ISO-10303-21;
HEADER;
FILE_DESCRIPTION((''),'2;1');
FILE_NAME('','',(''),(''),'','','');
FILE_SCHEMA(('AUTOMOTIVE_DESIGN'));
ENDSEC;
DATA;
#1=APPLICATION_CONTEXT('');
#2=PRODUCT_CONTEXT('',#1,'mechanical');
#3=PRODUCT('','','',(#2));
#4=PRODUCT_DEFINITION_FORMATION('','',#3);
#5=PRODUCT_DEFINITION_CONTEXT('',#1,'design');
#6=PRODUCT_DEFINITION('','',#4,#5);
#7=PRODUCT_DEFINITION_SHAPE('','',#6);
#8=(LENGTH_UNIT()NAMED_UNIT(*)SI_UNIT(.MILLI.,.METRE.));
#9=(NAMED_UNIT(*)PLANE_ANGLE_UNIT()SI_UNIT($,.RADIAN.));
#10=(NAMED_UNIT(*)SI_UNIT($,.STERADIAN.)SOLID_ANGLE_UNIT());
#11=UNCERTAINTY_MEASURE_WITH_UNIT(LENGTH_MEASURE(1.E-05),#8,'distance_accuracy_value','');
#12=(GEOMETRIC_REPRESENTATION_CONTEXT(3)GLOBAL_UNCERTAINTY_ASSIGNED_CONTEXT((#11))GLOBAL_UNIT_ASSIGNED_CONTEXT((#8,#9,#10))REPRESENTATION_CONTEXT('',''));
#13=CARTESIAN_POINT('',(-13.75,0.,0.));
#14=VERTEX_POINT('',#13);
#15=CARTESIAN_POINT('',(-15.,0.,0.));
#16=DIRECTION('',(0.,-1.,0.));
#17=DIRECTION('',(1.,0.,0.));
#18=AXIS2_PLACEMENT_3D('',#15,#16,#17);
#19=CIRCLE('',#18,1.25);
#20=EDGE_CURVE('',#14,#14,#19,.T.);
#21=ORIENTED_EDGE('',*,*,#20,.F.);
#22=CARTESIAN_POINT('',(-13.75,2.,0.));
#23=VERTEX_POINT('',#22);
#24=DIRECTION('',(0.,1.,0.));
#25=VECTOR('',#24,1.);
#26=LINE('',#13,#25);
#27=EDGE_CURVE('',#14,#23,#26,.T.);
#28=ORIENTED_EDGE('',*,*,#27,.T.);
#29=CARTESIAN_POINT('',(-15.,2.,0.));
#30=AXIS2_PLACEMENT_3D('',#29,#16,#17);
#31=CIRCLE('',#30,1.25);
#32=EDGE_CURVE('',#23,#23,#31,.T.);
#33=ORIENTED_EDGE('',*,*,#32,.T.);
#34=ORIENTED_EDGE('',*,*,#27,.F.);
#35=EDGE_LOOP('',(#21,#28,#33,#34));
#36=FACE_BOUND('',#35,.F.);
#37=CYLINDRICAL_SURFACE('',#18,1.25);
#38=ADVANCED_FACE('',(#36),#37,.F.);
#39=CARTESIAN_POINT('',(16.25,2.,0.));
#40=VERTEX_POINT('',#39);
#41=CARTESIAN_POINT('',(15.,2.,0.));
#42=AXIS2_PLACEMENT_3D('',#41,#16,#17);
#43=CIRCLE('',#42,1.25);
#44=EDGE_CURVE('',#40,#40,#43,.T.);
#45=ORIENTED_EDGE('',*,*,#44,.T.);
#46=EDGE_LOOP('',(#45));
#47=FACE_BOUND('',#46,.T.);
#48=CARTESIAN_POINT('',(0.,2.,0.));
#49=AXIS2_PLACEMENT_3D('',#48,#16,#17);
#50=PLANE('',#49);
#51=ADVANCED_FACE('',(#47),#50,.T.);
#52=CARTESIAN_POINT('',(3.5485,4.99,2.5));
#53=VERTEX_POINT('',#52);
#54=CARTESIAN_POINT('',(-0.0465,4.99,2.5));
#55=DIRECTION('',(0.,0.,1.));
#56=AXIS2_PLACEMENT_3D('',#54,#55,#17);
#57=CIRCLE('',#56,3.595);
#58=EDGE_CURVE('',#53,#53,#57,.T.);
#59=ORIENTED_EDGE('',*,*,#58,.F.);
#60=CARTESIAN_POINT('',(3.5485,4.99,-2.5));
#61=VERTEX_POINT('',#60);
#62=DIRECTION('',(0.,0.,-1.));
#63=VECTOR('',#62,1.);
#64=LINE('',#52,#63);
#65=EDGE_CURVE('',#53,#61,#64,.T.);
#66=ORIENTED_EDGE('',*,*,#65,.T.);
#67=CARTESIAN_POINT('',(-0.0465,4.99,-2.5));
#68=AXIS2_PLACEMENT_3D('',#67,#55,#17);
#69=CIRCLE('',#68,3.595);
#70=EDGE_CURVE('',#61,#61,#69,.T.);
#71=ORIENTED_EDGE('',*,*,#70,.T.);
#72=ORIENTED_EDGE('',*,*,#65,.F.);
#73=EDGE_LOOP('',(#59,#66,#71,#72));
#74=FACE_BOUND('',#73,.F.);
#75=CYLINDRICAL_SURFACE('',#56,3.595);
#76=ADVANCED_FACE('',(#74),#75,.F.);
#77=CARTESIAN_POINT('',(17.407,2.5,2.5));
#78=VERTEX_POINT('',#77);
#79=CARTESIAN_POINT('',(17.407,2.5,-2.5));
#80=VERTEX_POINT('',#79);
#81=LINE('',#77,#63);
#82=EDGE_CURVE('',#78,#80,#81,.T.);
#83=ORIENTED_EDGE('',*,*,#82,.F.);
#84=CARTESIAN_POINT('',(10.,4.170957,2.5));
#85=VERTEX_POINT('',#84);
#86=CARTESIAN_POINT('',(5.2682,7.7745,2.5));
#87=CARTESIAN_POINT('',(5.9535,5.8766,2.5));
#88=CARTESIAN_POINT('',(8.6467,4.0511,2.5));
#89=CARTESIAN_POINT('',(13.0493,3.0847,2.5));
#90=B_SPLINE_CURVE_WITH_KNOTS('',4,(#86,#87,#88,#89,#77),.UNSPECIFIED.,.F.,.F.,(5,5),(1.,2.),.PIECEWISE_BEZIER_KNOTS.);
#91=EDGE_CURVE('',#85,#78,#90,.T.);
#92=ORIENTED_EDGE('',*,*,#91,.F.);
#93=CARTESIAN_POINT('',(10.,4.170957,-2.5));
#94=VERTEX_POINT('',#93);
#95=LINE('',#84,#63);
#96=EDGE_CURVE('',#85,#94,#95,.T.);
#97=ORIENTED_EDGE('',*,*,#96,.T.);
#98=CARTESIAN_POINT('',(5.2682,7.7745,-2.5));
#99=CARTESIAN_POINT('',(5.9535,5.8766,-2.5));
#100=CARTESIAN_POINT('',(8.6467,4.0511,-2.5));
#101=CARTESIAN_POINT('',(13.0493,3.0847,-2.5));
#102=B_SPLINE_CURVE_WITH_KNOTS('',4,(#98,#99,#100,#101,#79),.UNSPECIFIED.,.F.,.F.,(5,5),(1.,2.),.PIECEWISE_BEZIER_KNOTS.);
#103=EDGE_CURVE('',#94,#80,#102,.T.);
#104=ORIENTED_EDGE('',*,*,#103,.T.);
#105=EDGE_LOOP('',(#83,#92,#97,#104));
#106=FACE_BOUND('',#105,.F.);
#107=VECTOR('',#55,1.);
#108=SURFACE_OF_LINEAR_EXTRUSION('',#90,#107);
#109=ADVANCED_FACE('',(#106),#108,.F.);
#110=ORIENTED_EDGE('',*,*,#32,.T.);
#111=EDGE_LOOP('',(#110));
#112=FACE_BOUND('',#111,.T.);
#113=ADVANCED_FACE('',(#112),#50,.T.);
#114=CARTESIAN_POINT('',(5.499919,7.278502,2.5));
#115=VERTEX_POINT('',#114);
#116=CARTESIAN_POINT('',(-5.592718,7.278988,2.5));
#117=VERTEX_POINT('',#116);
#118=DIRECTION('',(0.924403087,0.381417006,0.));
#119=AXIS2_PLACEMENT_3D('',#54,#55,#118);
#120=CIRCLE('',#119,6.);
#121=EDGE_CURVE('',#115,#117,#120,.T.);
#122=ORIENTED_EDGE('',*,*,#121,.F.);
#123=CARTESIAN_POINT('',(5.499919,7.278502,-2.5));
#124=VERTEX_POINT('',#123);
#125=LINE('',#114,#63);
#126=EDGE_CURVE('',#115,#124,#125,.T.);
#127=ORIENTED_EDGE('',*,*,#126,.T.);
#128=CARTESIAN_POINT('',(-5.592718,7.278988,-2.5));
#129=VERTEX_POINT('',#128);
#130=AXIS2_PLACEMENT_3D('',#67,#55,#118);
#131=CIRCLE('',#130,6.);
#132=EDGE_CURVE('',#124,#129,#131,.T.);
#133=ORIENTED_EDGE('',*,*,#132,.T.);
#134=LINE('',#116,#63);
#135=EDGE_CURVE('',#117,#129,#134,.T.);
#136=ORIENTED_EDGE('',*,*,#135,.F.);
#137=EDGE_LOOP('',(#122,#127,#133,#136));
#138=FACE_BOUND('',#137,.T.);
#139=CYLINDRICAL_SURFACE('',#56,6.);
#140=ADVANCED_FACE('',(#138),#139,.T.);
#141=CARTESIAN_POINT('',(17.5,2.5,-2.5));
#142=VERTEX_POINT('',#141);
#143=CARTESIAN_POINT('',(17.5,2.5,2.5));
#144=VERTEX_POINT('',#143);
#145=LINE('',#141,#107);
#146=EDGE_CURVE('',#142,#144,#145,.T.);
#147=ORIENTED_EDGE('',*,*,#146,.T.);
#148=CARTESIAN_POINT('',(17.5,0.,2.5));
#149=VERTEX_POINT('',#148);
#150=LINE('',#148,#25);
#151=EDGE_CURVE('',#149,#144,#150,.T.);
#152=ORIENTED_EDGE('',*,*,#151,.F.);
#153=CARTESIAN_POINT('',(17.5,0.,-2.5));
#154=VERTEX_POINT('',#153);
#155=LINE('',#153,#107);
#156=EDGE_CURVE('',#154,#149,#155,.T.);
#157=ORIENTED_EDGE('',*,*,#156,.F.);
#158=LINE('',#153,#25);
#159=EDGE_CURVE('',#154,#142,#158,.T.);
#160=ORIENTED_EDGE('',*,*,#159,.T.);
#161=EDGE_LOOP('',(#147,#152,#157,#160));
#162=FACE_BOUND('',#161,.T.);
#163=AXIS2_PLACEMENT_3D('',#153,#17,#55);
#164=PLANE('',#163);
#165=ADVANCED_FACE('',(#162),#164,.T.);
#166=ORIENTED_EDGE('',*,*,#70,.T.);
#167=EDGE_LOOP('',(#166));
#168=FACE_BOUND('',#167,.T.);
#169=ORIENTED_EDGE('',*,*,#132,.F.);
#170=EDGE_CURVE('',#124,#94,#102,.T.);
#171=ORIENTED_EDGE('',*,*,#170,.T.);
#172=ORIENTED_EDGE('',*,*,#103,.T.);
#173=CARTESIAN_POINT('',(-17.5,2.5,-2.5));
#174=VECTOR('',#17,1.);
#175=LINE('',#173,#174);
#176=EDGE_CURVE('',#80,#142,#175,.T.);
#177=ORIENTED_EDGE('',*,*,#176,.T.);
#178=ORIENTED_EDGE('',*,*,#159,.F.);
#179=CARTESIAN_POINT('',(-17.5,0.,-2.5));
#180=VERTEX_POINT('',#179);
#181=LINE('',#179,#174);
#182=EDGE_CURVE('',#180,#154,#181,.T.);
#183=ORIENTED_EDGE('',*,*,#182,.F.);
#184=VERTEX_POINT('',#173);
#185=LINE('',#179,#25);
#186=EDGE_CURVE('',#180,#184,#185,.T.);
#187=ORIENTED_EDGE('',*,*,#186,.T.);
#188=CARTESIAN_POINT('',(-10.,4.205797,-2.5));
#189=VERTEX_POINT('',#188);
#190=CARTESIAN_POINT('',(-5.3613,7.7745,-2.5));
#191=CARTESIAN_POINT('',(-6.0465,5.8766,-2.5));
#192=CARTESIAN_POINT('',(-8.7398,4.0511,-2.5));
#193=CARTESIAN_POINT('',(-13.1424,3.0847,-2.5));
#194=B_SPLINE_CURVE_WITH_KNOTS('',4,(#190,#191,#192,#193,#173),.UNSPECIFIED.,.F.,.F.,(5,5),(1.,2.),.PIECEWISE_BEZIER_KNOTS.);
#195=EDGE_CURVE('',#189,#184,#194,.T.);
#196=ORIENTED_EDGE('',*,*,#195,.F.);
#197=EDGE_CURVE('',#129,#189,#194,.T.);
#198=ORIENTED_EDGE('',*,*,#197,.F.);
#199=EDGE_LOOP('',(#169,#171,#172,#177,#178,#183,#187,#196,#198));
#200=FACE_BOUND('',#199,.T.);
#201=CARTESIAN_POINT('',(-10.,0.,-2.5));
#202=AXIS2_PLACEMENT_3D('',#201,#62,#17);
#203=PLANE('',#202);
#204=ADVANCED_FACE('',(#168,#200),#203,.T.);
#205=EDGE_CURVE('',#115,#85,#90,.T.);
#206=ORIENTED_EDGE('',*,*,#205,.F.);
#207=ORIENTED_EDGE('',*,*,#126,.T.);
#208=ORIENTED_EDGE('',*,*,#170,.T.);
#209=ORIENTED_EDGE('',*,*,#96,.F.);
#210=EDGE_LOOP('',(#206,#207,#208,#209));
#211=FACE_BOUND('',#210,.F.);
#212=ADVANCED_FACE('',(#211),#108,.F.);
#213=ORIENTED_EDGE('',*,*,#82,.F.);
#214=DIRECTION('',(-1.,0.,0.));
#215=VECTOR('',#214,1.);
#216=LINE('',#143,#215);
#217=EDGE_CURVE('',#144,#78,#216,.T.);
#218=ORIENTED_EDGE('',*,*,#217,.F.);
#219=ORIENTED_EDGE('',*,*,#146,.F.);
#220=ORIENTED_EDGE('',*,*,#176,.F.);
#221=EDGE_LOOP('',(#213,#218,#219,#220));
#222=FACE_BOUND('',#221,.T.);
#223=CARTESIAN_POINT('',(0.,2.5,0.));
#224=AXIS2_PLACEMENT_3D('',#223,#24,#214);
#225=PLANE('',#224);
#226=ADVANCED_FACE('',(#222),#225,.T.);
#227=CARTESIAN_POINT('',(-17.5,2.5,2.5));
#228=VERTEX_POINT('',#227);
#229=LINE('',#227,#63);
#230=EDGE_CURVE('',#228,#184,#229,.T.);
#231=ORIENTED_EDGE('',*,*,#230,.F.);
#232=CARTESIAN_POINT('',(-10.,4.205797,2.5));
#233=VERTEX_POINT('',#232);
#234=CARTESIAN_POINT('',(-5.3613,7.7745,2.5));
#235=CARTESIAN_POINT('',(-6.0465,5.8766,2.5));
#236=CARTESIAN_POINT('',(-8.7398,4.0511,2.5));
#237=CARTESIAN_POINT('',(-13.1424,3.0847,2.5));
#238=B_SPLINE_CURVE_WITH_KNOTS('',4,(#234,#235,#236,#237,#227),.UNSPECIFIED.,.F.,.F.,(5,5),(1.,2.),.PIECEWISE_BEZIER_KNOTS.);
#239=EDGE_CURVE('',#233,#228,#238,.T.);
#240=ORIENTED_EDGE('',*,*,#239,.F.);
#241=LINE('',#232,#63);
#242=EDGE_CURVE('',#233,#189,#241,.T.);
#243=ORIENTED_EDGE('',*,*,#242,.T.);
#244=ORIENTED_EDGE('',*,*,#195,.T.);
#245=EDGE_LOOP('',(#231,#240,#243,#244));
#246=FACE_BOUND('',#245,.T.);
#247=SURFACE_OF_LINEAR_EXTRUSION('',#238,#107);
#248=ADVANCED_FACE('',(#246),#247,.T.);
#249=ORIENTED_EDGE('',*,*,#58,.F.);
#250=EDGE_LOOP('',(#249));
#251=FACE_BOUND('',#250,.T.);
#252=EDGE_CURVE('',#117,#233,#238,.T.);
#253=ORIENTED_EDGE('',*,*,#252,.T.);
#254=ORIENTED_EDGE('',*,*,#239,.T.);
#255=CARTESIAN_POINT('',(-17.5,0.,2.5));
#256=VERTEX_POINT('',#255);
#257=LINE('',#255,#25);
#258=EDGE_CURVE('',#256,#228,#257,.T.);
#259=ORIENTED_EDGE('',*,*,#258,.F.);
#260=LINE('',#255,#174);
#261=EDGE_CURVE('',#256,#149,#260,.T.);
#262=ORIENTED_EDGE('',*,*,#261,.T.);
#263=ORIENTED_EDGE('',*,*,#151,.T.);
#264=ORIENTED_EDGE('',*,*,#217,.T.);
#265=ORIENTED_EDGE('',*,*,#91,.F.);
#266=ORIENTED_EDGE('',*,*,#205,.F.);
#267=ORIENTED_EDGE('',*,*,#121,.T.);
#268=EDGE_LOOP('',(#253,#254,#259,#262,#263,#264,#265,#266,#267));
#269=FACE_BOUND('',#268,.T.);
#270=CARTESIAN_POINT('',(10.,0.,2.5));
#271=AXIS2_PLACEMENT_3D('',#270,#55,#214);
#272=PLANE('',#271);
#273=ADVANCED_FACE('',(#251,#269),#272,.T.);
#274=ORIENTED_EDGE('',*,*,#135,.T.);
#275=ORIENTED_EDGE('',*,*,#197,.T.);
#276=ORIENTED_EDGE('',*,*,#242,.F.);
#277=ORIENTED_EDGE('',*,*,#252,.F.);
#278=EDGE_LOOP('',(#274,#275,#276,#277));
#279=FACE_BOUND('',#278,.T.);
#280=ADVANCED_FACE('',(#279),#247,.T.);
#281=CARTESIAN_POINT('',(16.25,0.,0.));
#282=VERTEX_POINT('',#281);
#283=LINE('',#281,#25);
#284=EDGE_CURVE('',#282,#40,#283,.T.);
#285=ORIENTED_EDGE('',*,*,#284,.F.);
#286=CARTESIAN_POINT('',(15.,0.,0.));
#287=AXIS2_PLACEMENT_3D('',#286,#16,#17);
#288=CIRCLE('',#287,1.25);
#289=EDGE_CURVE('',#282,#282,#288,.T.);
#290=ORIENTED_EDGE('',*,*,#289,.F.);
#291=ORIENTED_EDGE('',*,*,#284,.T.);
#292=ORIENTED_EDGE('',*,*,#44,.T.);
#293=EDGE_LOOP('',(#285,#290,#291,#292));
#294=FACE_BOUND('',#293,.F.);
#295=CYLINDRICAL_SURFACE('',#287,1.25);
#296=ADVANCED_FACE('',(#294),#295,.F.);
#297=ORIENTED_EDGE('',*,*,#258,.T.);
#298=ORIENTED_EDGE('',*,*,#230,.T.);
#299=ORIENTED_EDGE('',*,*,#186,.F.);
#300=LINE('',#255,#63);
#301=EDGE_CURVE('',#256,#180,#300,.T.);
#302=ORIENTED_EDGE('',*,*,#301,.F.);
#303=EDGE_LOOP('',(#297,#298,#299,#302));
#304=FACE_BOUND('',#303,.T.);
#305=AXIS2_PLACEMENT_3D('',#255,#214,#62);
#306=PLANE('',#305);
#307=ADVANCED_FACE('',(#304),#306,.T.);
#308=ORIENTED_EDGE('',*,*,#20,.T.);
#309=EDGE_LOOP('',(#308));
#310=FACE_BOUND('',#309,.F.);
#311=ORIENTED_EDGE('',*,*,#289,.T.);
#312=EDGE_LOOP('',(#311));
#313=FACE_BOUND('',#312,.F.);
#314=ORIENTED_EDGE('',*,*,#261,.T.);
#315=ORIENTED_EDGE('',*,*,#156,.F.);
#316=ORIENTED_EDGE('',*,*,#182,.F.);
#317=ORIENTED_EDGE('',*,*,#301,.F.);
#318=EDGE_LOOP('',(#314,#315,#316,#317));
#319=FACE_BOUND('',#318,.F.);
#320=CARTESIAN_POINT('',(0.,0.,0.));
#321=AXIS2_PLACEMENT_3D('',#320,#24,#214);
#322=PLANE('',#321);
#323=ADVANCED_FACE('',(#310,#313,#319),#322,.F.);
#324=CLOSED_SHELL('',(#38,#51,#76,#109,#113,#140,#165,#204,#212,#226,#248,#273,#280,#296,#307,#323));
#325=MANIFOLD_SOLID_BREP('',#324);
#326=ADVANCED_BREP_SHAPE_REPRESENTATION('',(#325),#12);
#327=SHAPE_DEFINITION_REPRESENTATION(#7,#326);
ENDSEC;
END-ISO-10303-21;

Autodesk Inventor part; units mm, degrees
ref_plane "YZ Plane" through (0, 0, 0) normal (1, 0, 0) x (0, 1, 0)
ref_plane "XZ Plane" through (0, 0, 0) normal (0, 1, 0) x (-1, 0, 0)
ref_plane "XY Plane" through (0, 0, 0) normal (0, 0, 1) x (1, 0, 0)
sketch "Sketch1" plane through (0, 0, 0) normal (0, 1, 0) x (-1, 0, 0)
  line L0 (-17.5, 2.5) -> (17.5, 2.5)
  line L1 (17.5, 2.5) -> (17.5, -2.5)
  line L2 (17.5, -2.5) -> (-17.5, -2.5)
  line L3 (-17.5, -2.5) -> (-17.5, 2.5)
  line L4 (-17.5, 2.5) -> (17.5, -2.5) construction
  line L5 (17.5, 2.5) -> (-17.5, -2.5) construction
  line L6 (-10, 2.5) -> (10, 2.5)
  line L7 (10, 2.5) -> (10, -2.5)
  line L8 (10, -2.5) -> (-10, -2.5)
  line L9 (-10, -2.5) -> (-10, 2.5)
  line L10 (-10, 2.5) -> (10, -2.5) construction
  line L11 (10, 2.5) -> (-10, -2.5) construction
  point P0 (0, 0)
  dimension "d0" = 35
  dimension "d1" = 5
  dimension "d2" = 20
extrude "Extrusion1" add sketch "Sketch1" along normal blind 2.5 contours L0 L9 L2 L3 | L0 L1 L2 L7
extrude "Extrusion2" add sketch "Sketch1" along normal blind 30 contours L0 L7 L2 L9
sketch "Sketch2" plane through (-17.5, 0, 2.5) normal (0, 0, 1) x (1, 0, 0)
  line L0 (0, 2.5) -> (7.5, 2.5) projected
  line L1 (27.5, 2.5) -> (35, 2.5) projected
  line L2 (27.5, 2.5) -> (27.5, 30) projected
  line L3 (7.5, 2.5) -> (7.5, 30) projected
  line L4 (7.5, 30) -> (27.5, 30) projected
  line L5 (35, 0) -> (0, 0) projected
  line L6 (0, 0) -> (0, 2.5) projected
  line L7 (35, 0) -> (35, 2.5) projected
  line L8 (7.5, 2.5) -> (0, 2.5) projected
  line L9 (0, 0) -> (35, 0) projected
  circle A0 centre (17.4535, 4.99) radius 3.595
  circle A1 centre (17.4535, 4.99) radius 6
  line L10 (12.1387, 7.7745) -> (11.4535, 5.8766) construction
  line L11 (11.4535, 5.8766) -> (8.7602, 4.0511) construction
  line L12 (8.7602, 4.0511) -> (4.3576, 3.0847) construction
  line L13 (4.3576, 3.0847) -> (0, 2.5) construction
  spline S0 degree 4 poles (12.1387, 7.7745) (11.4535, 5.8766) (8.7602, 4.0511) (4.3576, 3.0847) (0, 2.5) knots 1 1 1 1 1 2 2 2 2 2
  line L14 (17.4535, 4.99) -> (17.4535, 2.7924)
  line L15 (22.7682, 7.7745) -> (23.4535, 5.8766) construction
  line L16 (23.4535, 5.8766) -> (26.1467, 4.0511) construction
  line L17 (26.1467, 4.0511) -> (30.5493, 3.0847) construction
  line L18 (30.5493, 3.0847) -> (34.907, 2.5) construction
  spline S1 degree 4 poles (22.7682, 7.7745) (23.4535, 5.8766) (26.1467, 4.0511) (30.5493, 3.0847) (34.907, 2.5) knots 1 1 1 1 1 2 2 2 2 2
  point P0 (17.5, 0)
  point P1 (17.5, 0)
  point P2 (17.5, 0)
  point P3 (17.5, 0)
  point P4 (7.5, 10.9282)
  point P5 (27.5, 10.9282)
  point P6 (17.5, 0)
  point P7 (7.5, 6.3541)
  point P8 (27.5, 4.99)
  point P9 (7.5, 6.3541)
  point P10 (7.5, 4.2058)
  point P11 (11.9072, 7.2788)
  point P12 (22.9998, 7.2788)
  point P13 (27.5, 4.171)
  dimension "d77" = 12
  dimension "d58" = 7.19
  dimension "d59" = 4.99
extrude "Extrusion10" cut sketch "Sketch2" against normal blind 19.9625 contours A0
sketch "Sketch4" plane through (0, 0, 0) normal (0, -1, 0) x (1, 0, 0)
  line L0 (-17.5, -2.5) -> (-17.5, 2.5) projected
  line L1 (17.5, 2.5) -> (17.5, -2.5) projected
  circle A0 centre (-15, 0) radius 1.25
  line L2 (0, 0) -> (0, -2.2374)
  circle A1 centre (15, 0) radius 1.25
  point P0 (-17.5, 0)
  point P1 (17.5, 0)
  dimension "d68" = 2.5
  dimension "d71" = 2.5
  dimension "d72" = 2.5
extrude "Extrusion14" cut sketch "Sketch4" against normal blind 2
extrude "Extrusion17" cut sketch "Sketch2" against normal blind 5 contours L3 L4 L2 S1 A1 S0
extrude "Extrusion18" add sketch "Sketch2" against normal blind 5 contours S0 L3 L0 | S1 L1 L2
properties part number "chassis 2"
